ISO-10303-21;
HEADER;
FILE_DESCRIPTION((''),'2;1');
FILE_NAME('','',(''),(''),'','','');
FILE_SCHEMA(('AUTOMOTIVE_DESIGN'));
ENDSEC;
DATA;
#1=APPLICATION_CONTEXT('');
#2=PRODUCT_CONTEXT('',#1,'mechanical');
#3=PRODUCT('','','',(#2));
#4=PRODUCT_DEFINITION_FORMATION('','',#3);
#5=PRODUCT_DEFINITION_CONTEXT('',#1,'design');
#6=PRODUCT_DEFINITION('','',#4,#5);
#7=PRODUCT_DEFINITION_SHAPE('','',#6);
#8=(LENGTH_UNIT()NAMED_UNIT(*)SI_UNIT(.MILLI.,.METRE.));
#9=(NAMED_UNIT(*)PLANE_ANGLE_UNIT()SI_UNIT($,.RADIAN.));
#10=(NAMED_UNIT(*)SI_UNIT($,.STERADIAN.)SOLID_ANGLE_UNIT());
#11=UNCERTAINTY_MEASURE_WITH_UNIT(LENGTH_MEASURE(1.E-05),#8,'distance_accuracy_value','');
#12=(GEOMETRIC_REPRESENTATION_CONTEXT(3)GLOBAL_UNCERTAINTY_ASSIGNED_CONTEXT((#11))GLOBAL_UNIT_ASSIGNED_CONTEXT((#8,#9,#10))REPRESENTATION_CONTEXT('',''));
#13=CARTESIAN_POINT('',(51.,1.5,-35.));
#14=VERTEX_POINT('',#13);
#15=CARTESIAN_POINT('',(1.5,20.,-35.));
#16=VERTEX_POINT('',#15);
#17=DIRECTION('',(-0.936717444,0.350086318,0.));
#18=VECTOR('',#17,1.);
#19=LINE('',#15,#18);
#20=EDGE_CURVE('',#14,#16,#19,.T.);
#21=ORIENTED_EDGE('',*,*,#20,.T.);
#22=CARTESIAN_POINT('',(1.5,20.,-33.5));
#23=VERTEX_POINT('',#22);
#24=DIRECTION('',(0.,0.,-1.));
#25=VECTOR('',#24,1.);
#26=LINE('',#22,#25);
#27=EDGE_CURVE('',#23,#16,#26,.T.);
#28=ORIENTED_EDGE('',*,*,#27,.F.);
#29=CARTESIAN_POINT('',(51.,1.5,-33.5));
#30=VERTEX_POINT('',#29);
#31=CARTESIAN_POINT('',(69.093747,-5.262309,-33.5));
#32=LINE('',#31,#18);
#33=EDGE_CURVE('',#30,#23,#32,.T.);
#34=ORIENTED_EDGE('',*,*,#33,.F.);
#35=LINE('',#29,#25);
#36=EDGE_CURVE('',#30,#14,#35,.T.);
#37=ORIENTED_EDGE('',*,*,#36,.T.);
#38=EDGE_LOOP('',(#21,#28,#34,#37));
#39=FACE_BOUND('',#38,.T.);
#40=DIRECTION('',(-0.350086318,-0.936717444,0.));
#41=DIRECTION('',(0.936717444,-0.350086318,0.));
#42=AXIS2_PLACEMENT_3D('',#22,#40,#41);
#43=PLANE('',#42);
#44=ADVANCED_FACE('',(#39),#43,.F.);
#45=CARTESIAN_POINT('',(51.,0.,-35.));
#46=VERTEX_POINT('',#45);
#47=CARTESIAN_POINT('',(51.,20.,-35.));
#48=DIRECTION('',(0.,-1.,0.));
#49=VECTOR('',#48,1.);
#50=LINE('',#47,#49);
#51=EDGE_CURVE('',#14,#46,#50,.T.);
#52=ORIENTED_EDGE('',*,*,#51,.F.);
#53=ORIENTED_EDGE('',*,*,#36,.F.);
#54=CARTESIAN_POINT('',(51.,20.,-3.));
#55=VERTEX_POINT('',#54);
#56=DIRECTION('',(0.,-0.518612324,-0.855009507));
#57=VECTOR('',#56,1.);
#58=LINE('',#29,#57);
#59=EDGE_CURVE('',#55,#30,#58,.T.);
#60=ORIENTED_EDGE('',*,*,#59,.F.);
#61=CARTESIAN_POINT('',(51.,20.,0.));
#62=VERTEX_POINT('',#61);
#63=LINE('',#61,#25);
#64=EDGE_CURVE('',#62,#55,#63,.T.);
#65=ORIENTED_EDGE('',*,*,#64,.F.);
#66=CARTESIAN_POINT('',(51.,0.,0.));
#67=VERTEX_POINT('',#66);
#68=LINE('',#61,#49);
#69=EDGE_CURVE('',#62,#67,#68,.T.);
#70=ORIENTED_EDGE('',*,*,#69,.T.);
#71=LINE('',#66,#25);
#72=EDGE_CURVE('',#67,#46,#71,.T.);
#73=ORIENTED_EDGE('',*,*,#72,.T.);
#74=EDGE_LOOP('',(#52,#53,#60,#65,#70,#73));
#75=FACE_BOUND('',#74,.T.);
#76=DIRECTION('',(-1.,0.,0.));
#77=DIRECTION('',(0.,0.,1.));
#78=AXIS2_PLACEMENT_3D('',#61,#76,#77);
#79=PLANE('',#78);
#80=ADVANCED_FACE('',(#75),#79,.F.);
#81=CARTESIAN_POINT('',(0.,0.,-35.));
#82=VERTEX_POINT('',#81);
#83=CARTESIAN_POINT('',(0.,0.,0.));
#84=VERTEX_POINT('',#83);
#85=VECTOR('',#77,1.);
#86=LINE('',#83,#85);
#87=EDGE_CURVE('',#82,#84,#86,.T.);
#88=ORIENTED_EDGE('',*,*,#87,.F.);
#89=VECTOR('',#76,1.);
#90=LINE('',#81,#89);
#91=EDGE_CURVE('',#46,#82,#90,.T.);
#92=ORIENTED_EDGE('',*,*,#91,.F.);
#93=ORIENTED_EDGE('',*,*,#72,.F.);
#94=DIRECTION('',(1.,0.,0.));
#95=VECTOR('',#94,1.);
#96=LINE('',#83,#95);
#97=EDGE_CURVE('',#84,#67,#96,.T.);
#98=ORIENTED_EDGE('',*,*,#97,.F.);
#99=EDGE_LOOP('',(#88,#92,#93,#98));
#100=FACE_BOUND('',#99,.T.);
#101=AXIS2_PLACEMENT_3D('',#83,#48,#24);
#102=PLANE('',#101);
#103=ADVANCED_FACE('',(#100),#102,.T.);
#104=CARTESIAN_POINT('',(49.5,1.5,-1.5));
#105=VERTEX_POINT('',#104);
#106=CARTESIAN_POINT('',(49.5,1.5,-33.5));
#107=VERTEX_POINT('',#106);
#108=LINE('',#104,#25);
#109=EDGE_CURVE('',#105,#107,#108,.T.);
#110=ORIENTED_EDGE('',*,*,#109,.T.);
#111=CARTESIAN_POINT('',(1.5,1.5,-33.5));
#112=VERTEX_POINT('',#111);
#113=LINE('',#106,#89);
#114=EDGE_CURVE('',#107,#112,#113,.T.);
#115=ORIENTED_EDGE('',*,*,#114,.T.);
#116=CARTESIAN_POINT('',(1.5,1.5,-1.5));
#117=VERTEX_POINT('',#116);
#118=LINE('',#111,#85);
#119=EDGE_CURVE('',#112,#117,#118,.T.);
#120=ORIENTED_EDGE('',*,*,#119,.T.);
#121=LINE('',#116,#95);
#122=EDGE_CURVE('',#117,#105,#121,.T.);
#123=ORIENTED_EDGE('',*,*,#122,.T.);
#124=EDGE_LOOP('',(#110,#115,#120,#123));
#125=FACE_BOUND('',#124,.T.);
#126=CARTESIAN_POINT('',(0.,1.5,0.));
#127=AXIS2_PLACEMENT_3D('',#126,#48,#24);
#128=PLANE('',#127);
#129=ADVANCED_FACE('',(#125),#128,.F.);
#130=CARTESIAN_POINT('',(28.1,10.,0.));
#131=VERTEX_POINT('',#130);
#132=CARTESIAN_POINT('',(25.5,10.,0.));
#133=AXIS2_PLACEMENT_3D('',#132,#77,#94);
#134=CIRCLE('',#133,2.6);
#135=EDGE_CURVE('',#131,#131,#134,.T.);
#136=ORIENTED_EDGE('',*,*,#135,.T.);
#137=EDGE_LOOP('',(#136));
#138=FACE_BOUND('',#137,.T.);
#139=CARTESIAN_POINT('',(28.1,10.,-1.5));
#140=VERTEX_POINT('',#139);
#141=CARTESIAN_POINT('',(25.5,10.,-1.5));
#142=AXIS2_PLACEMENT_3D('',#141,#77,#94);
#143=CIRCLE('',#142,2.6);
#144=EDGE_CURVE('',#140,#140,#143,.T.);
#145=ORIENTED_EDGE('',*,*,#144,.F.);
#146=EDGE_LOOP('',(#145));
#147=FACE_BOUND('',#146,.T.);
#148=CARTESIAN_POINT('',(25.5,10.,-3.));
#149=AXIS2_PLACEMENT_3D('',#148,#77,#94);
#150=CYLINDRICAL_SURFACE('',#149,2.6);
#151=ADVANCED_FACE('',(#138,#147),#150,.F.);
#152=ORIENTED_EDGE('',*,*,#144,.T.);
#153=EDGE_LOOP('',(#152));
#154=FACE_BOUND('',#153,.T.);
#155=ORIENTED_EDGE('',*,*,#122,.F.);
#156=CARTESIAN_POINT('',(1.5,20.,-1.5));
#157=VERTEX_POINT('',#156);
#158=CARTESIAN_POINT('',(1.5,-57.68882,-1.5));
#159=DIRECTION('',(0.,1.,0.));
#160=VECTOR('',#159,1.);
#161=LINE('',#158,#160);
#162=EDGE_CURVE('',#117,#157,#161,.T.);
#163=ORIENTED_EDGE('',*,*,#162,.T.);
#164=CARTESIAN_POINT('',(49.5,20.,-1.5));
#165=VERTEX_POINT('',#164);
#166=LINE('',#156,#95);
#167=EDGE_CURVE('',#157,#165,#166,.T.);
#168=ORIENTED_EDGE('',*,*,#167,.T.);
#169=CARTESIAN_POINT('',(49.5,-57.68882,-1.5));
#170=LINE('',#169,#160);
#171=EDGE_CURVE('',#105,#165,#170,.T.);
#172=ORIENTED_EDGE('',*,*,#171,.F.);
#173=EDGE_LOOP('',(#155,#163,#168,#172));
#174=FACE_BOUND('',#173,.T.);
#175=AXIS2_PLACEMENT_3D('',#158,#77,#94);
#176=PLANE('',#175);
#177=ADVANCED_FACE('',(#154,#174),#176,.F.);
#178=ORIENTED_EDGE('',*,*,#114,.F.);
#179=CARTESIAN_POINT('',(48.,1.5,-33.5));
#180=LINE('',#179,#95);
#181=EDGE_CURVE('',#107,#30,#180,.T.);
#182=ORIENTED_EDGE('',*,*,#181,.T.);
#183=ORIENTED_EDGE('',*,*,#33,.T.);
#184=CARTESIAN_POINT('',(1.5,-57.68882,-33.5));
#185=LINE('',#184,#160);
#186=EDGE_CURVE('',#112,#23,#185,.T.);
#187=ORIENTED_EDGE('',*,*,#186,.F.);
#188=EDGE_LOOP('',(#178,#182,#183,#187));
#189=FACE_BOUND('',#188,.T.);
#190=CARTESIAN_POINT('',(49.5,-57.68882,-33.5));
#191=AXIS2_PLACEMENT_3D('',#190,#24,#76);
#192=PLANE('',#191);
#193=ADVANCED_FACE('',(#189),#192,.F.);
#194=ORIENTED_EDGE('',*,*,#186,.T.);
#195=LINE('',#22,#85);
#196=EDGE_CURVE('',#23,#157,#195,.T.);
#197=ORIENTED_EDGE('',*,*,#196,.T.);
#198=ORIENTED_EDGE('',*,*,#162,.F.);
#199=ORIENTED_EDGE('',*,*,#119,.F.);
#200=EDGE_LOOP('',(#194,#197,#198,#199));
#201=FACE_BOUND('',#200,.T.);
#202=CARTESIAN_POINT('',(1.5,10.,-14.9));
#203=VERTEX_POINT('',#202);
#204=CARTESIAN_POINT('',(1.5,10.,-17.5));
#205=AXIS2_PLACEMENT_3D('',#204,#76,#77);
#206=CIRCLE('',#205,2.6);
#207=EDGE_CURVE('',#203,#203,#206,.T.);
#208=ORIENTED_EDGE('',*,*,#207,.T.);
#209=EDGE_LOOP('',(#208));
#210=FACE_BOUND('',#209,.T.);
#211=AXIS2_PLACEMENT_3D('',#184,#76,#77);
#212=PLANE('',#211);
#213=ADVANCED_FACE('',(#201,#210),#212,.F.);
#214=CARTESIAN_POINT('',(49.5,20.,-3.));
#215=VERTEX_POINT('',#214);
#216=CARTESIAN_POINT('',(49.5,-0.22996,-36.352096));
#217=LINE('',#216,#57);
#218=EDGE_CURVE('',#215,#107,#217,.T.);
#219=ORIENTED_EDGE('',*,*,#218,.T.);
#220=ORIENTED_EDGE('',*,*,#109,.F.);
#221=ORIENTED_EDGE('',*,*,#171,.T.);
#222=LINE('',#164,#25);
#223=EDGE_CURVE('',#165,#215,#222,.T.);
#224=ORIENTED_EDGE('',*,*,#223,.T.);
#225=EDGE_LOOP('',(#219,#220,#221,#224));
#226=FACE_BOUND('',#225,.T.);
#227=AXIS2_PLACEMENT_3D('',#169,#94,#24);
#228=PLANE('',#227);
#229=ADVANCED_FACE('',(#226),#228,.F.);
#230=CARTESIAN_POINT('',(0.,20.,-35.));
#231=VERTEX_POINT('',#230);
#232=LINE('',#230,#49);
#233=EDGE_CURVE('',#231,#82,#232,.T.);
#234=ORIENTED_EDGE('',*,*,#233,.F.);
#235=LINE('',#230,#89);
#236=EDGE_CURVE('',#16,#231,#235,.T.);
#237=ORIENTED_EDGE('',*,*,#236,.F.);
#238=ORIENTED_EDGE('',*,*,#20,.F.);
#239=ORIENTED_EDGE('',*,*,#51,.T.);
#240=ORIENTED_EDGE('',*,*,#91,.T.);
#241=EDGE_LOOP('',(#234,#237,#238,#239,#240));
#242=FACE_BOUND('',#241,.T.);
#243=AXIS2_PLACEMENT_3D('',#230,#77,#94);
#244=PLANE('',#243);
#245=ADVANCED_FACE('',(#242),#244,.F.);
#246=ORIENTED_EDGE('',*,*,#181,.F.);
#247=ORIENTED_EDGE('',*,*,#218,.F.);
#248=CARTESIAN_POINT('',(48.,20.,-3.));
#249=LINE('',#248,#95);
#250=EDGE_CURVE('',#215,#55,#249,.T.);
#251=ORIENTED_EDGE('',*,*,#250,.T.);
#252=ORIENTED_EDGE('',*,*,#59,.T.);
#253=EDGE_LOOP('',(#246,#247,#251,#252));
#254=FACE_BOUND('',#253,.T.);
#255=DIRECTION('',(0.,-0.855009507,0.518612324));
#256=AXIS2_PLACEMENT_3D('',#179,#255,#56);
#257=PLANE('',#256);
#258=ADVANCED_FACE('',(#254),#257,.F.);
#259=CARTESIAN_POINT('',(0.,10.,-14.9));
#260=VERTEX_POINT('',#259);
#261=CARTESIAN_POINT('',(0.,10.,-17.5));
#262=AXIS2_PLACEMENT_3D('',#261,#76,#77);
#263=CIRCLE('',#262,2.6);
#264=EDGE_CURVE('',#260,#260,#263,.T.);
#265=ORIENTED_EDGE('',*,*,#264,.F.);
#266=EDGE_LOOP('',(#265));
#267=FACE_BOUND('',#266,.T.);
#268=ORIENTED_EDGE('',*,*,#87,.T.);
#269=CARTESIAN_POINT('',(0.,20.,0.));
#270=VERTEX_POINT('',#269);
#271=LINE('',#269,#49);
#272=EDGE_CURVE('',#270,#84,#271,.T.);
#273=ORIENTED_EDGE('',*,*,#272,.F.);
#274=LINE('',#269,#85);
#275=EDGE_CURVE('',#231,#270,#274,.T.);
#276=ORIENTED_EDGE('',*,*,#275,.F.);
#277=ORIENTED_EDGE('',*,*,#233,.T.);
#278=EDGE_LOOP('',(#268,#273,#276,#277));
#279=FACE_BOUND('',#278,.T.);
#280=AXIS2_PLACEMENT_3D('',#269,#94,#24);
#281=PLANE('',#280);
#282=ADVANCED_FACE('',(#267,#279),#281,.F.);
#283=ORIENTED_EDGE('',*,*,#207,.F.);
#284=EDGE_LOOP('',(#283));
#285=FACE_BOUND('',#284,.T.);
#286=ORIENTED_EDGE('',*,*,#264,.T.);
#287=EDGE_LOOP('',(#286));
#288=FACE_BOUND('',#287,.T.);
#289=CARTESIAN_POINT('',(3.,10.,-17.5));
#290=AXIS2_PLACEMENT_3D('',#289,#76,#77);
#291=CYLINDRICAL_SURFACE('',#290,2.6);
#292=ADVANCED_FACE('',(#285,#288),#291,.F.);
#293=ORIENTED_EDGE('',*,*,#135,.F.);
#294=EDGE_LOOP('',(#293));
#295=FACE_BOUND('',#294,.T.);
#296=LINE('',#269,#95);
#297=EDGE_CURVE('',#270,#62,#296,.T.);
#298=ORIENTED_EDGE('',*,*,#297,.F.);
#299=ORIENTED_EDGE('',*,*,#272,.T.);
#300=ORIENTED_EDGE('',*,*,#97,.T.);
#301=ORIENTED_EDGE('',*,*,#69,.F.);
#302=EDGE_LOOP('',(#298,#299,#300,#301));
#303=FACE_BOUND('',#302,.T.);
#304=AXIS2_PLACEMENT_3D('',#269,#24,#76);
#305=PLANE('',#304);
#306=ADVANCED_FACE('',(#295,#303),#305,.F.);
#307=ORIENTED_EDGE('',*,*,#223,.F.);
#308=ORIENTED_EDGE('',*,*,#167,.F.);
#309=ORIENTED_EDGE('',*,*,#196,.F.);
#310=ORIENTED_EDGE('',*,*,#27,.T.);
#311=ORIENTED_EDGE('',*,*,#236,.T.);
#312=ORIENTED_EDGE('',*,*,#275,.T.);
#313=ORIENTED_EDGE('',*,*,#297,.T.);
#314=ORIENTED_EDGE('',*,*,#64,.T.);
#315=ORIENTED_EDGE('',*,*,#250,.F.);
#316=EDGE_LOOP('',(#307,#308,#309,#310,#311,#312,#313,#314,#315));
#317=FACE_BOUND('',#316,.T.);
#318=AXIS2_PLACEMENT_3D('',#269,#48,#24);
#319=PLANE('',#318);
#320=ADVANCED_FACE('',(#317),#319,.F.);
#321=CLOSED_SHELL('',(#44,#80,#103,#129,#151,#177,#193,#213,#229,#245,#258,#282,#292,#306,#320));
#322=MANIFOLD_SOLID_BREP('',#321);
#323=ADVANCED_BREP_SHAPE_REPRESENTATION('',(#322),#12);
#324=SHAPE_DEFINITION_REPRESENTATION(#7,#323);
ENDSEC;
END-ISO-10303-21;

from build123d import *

# Parameters (mm, degrees)
SKETCH_1_W          = 51
SKETCH_1_H          = 35
EXTRUDE_1_DEPTH     = 20
SKETCH_2_W          = 48
SKETCH_2_H          = 32
CUT_EXTRUDE_1_DEPTH = 18.5
SKETCH_3_R          = 2.6
CUT_EXTRUDE_2_DEPTH = 3
SKETCH_4_R          = 2.6
CUT_EXTRUDE_3_DEPTH = 3
CUT_EXTRUDE_4_DEPTH = 1.5
CUT_EXTRUDE_5_DEPTH = 3


with BuildPart() as part:
    # 草图1 → 凸台-拉伸1 (new body)
    with BuildSketch(Plane(origin=(0, 0, 0), x_dir=(1, 0, 0), z_dir=(0, 1, 0))):
        with Locations((25.5, 17.5)):
            Rectangle(SKETCH_1_W, SKETCH_1_H)
    extrude(amount=EXTRUDE_1_DEPTH)

    # 草图2 → 切除-拉伸1 (cut)
    with BuildSketch(Plane(origin=(0, 20, 0), x_dir=(1, 0, 0), z_dir=(0, 1, 0))):
        with Locations((25.5, 17.5)):
            Rectangle(SKETCH_2_W, SKETCH_2_H)
    extrude(amount=-CUT_EXTRUDE_1_DEPTH, mode=Mode.SUBTRACT)

    # 草图3 → 切除-拉伸2 (cut)
    with BuildSketch(Plane.XY):
        with Locations((25.5, 10)):
            Circle(SKETCH_3_R)
    extrude(amount=-CUT_EXTRUDE_2_DEPTH, mode=Mode.SUBTRACT)

    # 草图4 → 切除-拉伸3 (cut)
    with BuildSketch(Plane.ZY):
        with Locations((-17.5, 10)):
            Circle(SKETCH_4_R)
    extrude(amount=-CUT_EXTRUDE_3_DEPTH, mode=Mode.SUBTRACT)

    # 草图5 → 切除-拉伸4 (cut)
    with BuildSketch(Plane(origin=(0, 0, -35), x_dir=(-1, 0, 0), z_dir=(0, 0, -1))):
        Polygon((-51, 20), (-1.5, 20), (-51, 1.5), align=None)
    extrude(amount=-CUT_EXTRUDE_4_DEPTH, mode=Mode.SUBTRACT)

    # 草图6 → 切除-拉伸5 (cut)
    with BuildSketch(Plane(origin=(51, 0, 0), x_dir=(0, 0, -1), z_dir=(1, 0, 0))):
        Polygon((33.5, 20), (33.5, 1.5), (3, 20), align=None)
    extrude(amount=-CUT_EXTRUDE_5_DEPTH, mode=Mode.SUBTRACT)


solid = part.part
